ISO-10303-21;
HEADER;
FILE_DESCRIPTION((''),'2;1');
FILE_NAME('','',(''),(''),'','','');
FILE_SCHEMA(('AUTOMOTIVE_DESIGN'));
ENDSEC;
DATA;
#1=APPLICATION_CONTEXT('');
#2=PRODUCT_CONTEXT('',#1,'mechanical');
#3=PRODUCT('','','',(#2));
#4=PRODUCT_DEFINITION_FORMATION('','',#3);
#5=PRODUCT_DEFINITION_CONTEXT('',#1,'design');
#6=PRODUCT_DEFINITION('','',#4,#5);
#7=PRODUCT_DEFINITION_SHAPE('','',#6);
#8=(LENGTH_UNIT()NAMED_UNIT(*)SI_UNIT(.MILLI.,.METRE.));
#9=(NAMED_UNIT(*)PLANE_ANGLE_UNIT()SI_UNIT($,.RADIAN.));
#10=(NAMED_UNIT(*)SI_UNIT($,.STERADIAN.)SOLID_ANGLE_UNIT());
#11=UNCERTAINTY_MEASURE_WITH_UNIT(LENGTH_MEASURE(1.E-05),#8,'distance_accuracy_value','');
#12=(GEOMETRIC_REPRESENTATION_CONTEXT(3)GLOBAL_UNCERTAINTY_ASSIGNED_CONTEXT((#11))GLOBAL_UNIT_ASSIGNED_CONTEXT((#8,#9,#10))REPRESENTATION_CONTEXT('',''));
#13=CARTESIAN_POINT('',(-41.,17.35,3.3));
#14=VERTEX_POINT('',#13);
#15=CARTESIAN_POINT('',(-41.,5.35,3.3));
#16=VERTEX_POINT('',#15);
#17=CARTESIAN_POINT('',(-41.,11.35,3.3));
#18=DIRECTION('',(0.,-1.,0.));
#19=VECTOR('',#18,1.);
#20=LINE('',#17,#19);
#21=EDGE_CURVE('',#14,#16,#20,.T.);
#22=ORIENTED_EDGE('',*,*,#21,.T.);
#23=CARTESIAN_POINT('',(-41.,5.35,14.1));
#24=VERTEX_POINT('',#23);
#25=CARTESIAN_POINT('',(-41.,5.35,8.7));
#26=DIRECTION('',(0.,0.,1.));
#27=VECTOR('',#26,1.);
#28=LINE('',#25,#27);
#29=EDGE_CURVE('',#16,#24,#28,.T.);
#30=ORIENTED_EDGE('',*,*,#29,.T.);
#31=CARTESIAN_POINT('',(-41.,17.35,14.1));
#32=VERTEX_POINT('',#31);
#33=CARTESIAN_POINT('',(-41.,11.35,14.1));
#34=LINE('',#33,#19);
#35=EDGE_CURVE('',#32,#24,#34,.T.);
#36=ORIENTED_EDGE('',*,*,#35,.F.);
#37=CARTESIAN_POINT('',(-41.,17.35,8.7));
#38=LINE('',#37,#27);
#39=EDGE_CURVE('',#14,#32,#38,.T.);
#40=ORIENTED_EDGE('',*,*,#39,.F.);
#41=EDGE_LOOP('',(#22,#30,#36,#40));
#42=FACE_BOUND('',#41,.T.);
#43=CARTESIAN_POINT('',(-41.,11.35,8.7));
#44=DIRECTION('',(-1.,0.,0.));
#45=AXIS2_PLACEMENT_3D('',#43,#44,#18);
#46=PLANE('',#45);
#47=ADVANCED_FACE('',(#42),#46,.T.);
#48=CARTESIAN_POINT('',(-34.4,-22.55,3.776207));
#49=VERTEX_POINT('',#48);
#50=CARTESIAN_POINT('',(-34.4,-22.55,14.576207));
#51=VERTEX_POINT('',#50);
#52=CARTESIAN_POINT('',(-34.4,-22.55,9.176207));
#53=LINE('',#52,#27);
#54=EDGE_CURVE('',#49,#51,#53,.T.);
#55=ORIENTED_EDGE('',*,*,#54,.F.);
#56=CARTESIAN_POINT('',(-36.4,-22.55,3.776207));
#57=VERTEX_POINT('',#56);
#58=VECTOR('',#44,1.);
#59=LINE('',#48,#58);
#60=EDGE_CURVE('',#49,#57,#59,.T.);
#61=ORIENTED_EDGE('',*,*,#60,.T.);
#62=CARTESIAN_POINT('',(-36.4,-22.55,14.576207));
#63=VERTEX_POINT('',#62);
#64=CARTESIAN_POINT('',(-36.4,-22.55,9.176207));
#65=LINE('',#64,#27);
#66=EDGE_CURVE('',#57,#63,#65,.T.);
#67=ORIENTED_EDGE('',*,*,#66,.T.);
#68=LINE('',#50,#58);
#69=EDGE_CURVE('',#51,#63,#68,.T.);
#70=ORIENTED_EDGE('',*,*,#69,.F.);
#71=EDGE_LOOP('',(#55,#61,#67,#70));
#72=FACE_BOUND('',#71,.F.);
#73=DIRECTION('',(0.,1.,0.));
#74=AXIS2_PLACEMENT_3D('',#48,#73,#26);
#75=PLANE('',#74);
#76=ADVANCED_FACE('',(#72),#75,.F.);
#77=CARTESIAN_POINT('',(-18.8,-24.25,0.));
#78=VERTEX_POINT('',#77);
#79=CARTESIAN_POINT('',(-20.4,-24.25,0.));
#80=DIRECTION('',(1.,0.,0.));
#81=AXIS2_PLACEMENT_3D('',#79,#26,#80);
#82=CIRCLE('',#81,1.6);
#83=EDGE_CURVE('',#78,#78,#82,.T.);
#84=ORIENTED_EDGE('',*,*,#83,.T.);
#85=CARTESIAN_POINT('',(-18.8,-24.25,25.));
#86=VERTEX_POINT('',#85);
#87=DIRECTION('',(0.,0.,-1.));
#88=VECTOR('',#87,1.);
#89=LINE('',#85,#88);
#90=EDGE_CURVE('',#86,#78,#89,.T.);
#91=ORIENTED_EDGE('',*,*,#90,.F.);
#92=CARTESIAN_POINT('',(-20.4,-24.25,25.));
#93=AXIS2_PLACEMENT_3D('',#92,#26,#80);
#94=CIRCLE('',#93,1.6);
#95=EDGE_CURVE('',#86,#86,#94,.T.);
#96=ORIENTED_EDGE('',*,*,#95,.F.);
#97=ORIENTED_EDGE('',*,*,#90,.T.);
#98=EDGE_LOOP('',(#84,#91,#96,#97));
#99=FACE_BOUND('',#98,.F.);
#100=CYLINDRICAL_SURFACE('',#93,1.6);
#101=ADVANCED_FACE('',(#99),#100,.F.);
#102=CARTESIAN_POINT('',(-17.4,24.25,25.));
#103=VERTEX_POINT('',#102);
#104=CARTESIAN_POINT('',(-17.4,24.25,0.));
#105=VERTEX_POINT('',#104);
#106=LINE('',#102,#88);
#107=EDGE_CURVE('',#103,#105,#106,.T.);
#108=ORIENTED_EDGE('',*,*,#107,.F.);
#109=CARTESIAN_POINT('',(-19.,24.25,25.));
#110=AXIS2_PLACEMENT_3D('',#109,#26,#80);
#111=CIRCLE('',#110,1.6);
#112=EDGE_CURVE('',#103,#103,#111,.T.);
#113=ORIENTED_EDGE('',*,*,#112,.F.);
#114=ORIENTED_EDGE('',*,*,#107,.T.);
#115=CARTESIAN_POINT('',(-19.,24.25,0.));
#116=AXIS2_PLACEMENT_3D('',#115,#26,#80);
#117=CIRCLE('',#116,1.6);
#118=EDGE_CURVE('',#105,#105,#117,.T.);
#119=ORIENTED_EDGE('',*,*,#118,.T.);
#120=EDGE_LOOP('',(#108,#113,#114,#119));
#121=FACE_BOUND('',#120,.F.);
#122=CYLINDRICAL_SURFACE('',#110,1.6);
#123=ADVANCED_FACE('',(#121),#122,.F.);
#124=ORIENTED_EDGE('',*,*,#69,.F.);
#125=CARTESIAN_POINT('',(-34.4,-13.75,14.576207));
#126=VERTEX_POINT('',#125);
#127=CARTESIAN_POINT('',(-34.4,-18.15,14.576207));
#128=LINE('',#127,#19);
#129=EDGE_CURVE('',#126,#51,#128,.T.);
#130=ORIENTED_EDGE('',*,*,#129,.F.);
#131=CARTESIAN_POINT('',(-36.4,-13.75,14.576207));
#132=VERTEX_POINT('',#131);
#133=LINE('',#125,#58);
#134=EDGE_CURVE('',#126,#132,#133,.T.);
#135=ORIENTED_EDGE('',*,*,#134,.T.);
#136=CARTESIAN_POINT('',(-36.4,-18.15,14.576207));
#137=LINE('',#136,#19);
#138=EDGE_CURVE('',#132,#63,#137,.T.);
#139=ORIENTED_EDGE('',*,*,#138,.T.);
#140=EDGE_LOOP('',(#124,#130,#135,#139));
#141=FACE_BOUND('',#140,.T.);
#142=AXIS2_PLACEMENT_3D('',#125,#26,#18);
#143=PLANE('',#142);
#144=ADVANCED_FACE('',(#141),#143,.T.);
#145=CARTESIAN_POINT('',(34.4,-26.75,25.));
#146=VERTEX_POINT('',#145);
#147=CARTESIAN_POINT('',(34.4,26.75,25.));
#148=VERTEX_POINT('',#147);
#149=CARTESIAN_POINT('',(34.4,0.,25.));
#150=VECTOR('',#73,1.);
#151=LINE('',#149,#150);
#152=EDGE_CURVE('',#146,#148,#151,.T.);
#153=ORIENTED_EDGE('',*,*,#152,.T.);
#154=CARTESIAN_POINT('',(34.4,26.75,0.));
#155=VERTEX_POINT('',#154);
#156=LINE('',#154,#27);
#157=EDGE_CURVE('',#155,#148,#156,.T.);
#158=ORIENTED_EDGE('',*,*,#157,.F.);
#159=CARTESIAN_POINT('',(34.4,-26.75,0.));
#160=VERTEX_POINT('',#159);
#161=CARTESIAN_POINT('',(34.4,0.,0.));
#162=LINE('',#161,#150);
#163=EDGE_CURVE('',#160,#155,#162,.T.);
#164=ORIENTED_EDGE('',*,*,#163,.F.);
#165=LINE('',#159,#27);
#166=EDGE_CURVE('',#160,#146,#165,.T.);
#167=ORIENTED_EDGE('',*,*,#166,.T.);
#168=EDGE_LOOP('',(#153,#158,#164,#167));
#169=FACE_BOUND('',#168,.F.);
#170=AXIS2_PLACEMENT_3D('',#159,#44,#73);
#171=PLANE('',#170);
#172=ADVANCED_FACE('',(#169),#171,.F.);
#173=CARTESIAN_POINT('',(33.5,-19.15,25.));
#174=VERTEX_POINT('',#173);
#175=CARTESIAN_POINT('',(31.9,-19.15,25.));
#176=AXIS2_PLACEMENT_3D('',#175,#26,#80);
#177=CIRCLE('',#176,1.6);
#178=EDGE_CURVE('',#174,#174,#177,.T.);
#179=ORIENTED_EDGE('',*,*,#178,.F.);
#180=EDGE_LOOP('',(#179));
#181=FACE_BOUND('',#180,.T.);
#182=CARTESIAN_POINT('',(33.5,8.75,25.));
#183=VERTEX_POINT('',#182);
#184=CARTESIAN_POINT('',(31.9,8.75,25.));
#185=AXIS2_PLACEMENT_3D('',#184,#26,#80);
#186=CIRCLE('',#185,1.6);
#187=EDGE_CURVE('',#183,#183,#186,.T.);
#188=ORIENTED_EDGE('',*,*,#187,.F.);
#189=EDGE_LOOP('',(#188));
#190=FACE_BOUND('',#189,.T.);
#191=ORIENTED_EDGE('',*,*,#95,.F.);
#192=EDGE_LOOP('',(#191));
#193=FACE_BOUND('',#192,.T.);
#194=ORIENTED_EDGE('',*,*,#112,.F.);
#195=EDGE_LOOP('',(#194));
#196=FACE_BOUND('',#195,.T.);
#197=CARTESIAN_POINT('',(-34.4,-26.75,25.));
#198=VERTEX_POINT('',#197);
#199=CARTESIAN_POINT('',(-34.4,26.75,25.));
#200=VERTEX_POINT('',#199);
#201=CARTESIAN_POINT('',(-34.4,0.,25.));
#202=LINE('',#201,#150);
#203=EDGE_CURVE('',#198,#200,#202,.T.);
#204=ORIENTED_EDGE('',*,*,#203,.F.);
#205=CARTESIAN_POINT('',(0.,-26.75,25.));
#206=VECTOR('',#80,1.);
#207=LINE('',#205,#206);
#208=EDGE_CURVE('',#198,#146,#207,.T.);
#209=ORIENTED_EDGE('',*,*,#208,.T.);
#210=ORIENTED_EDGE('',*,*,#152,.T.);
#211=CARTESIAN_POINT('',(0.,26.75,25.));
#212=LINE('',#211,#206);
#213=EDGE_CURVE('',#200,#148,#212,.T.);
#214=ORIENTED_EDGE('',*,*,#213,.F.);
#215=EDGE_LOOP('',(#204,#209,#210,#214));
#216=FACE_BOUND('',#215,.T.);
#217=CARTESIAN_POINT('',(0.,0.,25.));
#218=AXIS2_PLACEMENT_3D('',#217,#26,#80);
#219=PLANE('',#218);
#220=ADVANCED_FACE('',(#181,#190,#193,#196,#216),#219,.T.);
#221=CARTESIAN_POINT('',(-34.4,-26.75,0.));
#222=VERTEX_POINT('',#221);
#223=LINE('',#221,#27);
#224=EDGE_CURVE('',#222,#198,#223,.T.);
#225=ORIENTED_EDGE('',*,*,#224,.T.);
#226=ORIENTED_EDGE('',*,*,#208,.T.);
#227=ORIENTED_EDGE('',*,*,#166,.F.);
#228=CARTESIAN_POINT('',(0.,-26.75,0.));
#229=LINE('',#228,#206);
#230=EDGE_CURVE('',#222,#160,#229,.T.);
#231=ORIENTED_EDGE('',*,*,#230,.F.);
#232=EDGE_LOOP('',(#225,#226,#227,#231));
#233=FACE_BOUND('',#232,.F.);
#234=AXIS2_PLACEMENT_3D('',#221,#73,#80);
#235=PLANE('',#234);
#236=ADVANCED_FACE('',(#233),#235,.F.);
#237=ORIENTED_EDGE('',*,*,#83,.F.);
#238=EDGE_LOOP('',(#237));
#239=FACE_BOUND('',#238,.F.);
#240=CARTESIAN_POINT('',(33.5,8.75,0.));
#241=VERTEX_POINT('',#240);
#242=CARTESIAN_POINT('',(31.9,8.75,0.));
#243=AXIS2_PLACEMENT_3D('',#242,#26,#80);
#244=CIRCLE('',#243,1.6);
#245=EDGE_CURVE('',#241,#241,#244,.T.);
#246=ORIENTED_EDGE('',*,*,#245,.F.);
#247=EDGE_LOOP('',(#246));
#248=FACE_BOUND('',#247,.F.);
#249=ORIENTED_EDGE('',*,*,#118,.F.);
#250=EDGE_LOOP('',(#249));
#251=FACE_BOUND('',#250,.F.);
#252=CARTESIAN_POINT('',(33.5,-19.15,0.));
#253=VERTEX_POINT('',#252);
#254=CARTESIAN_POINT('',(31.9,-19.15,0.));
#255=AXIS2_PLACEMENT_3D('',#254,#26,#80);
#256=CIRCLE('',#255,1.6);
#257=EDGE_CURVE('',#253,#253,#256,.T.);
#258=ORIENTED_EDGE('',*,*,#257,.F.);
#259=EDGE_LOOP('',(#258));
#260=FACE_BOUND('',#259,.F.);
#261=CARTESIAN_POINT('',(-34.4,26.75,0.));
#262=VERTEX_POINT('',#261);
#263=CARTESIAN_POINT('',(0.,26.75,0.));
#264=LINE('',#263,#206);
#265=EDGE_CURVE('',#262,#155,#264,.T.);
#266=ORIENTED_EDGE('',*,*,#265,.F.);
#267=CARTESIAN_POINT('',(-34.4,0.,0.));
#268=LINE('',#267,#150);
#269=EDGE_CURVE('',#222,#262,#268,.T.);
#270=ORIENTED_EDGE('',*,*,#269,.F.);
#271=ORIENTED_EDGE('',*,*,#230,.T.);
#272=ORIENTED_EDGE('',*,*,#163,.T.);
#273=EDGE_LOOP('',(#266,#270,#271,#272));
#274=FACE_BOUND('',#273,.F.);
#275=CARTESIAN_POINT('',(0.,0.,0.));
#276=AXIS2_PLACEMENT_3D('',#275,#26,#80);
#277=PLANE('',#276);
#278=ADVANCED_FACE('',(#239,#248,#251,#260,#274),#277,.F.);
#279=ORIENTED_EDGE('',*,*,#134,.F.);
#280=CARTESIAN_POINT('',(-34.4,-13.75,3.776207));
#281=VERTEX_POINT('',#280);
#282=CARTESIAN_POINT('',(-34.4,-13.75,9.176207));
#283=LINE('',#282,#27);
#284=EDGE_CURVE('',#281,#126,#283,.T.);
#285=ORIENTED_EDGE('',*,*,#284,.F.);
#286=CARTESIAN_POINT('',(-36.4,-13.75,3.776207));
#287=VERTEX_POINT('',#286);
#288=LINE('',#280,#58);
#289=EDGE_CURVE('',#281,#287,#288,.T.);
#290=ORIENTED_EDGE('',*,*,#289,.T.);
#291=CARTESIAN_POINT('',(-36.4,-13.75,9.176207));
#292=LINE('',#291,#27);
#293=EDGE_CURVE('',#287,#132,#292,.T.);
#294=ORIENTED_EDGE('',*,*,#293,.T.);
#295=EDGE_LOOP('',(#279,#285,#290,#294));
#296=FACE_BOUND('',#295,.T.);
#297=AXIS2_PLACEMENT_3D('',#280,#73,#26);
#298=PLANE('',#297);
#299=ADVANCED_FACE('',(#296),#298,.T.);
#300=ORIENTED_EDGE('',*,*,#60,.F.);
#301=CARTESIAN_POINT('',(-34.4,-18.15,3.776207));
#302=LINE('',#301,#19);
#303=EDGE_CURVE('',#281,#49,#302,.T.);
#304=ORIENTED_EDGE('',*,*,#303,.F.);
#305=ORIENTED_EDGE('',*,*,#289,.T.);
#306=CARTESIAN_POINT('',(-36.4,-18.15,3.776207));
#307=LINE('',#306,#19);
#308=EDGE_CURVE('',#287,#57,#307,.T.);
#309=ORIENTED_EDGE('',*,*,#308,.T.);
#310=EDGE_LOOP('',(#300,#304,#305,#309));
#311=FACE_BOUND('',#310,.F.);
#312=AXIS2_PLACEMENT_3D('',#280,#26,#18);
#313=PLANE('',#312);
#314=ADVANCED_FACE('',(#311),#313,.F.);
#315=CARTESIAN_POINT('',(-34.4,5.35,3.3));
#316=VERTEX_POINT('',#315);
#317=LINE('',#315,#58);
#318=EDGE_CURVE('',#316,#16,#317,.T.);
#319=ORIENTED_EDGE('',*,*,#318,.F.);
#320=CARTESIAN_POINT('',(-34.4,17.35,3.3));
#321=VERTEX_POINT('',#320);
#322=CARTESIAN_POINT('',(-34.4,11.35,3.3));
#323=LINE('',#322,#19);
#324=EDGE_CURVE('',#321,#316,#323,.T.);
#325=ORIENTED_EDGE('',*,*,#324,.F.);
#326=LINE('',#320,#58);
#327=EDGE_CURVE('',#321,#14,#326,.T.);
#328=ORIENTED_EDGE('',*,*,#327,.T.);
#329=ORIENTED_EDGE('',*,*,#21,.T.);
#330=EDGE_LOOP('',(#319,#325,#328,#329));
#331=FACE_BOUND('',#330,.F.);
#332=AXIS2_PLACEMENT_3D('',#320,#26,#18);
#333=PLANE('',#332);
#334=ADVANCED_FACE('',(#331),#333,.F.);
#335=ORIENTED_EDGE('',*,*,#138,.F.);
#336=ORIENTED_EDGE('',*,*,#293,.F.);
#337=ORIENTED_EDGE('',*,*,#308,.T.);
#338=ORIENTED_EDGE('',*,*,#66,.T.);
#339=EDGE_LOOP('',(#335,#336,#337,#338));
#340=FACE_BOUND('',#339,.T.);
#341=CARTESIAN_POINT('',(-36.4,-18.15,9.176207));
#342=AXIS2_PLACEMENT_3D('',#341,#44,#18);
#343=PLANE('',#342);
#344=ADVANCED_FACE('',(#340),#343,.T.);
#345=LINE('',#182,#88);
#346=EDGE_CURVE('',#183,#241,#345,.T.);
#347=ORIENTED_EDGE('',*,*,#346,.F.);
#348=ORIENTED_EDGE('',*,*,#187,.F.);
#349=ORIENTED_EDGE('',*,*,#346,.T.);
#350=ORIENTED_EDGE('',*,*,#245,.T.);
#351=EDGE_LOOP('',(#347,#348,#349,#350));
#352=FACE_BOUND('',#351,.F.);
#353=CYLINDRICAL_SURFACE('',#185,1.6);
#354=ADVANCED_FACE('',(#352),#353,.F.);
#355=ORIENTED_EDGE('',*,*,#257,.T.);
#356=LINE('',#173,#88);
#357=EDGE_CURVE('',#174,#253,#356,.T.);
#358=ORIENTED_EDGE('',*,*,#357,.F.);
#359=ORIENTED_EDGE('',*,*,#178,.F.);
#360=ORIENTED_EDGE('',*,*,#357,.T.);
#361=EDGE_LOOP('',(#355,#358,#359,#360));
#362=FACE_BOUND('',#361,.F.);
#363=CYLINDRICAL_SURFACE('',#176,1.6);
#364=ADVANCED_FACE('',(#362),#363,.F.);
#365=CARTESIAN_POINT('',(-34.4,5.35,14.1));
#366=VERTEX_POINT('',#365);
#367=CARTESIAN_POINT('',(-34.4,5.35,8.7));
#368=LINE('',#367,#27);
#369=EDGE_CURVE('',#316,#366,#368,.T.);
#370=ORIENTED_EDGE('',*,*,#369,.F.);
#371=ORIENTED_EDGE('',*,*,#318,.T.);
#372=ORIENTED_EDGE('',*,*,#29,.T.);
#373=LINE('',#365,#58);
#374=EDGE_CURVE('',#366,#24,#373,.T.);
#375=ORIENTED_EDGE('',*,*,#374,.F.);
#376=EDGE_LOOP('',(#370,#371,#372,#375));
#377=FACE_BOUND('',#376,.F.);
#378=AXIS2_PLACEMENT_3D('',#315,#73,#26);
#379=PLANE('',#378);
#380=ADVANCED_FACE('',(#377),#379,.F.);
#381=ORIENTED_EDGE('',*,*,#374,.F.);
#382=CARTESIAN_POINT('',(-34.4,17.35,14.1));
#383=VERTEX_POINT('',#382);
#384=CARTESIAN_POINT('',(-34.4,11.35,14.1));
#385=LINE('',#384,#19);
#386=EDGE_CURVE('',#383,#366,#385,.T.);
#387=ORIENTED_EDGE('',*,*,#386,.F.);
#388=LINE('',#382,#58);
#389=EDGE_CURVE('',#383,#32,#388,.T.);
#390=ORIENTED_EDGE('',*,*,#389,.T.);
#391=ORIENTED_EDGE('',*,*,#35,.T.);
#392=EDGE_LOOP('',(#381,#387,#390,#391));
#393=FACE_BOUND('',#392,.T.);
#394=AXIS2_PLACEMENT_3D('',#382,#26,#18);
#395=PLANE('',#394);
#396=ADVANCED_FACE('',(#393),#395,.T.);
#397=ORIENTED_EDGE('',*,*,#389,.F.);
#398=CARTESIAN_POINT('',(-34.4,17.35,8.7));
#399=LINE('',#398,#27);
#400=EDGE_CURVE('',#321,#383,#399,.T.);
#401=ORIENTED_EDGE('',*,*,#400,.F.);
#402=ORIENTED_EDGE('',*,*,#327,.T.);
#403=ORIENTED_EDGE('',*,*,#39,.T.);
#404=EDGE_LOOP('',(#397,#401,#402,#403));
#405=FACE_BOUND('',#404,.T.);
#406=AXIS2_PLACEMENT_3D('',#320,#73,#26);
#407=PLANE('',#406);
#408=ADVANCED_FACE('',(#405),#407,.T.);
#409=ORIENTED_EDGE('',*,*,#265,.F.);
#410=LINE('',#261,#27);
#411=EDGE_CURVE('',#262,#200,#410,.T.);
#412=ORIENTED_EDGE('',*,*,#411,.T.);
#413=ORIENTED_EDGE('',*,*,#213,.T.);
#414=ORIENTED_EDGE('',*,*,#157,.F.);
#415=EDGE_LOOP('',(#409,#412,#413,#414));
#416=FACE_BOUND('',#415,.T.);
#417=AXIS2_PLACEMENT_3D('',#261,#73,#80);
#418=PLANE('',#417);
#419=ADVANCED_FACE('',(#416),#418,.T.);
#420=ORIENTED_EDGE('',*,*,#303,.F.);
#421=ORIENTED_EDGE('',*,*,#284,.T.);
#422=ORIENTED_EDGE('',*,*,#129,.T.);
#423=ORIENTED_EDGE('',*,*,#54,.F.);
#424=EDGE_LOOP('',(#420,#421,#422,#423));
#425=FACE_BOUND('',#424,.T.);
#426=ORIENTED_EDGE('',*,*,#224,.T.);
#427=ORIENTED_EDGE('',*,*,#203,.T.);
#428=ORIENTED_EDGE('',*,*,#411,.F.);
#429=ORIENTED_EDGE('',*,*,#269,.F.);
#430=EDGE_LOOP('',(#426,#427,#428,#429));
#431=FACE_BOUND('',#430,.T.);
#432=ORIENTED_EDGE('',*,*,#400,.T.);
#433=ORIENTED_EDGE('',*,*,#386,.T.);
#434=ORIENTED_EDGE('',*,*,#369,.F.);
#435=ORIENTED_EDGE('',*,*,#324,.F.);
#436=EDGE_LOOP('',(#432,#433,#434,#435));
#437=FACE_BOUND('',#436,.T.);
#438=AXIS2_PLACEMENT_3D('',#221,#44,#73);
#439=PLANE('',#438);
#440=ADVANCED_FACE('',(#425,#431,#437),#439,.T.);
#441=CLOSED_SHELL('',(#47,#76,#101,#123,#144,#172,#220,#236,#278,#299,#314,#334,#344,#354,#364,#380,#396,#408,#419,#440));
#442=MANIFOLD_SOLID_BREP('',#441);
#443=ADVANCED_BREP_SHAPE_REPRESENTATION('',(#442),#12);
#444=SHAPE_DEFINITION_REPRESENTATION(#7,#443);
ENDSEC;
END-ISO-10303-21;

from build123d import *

# Parameters (mm, degrees)
F0_W     = 68.8
F0_H     = 53.5
F1_DEPTH = 25
F2_R     = 1.6
F3_DEPTH = 25
F4_W     = 12
F4_H     = 10.8
F5_DEPTH = 6.6
F6_W     = 8.8
F6_H     = 10.8
F7_DEPTH = 2


with BuildPart() as f1:
    # F0 (on Top) → F1 (new body)
    with BuildSketch(Plane.XY):
        Rectangle(F0_W, F0_H)
    extrude(amount=F1_DEPTH)

    # F2 (on face) → F3 (cut)
    with BuildSketch(Plane.XY.offset(25)):
        with Locations((-19, 24.25)):
            Circle(F2_R)
        with Locations((31.9, 8.75)):
            Circle(F2_R)
        with Locations((-20.4, -24.25)):
            Circle(F2_R)
        with Locations((31.9, -19.15)):
            Circle(F2_R)
    extrude(amount=-F3_DEPTH, mode=Mode.SUBTRACT)

    # F4 (on face) → F5 (join)
    with BuildSketch(Plane(origin=(-34.4, 0, 0), x_dir=(0, -1, 0), z_dir=(-1, 0, 0))):
        with Locations((-11.35, 8.7)):
            Rectangle(F4_W, F4_H)
    extrude(amount=F5_DEPTH)

    # F6 (on face) → F7 (join)
    with BuildSketch(Plane(origin=(-34.4, 0, 0), x_dir=(0, -1, 0), z_dir=(-1, 0, 0))):
        with Locations((18.15, 9.176207)):
            Rectangle(F6_W, F6_H)
    extrude(amount=F7_DEPTH)


solid = f1.part
